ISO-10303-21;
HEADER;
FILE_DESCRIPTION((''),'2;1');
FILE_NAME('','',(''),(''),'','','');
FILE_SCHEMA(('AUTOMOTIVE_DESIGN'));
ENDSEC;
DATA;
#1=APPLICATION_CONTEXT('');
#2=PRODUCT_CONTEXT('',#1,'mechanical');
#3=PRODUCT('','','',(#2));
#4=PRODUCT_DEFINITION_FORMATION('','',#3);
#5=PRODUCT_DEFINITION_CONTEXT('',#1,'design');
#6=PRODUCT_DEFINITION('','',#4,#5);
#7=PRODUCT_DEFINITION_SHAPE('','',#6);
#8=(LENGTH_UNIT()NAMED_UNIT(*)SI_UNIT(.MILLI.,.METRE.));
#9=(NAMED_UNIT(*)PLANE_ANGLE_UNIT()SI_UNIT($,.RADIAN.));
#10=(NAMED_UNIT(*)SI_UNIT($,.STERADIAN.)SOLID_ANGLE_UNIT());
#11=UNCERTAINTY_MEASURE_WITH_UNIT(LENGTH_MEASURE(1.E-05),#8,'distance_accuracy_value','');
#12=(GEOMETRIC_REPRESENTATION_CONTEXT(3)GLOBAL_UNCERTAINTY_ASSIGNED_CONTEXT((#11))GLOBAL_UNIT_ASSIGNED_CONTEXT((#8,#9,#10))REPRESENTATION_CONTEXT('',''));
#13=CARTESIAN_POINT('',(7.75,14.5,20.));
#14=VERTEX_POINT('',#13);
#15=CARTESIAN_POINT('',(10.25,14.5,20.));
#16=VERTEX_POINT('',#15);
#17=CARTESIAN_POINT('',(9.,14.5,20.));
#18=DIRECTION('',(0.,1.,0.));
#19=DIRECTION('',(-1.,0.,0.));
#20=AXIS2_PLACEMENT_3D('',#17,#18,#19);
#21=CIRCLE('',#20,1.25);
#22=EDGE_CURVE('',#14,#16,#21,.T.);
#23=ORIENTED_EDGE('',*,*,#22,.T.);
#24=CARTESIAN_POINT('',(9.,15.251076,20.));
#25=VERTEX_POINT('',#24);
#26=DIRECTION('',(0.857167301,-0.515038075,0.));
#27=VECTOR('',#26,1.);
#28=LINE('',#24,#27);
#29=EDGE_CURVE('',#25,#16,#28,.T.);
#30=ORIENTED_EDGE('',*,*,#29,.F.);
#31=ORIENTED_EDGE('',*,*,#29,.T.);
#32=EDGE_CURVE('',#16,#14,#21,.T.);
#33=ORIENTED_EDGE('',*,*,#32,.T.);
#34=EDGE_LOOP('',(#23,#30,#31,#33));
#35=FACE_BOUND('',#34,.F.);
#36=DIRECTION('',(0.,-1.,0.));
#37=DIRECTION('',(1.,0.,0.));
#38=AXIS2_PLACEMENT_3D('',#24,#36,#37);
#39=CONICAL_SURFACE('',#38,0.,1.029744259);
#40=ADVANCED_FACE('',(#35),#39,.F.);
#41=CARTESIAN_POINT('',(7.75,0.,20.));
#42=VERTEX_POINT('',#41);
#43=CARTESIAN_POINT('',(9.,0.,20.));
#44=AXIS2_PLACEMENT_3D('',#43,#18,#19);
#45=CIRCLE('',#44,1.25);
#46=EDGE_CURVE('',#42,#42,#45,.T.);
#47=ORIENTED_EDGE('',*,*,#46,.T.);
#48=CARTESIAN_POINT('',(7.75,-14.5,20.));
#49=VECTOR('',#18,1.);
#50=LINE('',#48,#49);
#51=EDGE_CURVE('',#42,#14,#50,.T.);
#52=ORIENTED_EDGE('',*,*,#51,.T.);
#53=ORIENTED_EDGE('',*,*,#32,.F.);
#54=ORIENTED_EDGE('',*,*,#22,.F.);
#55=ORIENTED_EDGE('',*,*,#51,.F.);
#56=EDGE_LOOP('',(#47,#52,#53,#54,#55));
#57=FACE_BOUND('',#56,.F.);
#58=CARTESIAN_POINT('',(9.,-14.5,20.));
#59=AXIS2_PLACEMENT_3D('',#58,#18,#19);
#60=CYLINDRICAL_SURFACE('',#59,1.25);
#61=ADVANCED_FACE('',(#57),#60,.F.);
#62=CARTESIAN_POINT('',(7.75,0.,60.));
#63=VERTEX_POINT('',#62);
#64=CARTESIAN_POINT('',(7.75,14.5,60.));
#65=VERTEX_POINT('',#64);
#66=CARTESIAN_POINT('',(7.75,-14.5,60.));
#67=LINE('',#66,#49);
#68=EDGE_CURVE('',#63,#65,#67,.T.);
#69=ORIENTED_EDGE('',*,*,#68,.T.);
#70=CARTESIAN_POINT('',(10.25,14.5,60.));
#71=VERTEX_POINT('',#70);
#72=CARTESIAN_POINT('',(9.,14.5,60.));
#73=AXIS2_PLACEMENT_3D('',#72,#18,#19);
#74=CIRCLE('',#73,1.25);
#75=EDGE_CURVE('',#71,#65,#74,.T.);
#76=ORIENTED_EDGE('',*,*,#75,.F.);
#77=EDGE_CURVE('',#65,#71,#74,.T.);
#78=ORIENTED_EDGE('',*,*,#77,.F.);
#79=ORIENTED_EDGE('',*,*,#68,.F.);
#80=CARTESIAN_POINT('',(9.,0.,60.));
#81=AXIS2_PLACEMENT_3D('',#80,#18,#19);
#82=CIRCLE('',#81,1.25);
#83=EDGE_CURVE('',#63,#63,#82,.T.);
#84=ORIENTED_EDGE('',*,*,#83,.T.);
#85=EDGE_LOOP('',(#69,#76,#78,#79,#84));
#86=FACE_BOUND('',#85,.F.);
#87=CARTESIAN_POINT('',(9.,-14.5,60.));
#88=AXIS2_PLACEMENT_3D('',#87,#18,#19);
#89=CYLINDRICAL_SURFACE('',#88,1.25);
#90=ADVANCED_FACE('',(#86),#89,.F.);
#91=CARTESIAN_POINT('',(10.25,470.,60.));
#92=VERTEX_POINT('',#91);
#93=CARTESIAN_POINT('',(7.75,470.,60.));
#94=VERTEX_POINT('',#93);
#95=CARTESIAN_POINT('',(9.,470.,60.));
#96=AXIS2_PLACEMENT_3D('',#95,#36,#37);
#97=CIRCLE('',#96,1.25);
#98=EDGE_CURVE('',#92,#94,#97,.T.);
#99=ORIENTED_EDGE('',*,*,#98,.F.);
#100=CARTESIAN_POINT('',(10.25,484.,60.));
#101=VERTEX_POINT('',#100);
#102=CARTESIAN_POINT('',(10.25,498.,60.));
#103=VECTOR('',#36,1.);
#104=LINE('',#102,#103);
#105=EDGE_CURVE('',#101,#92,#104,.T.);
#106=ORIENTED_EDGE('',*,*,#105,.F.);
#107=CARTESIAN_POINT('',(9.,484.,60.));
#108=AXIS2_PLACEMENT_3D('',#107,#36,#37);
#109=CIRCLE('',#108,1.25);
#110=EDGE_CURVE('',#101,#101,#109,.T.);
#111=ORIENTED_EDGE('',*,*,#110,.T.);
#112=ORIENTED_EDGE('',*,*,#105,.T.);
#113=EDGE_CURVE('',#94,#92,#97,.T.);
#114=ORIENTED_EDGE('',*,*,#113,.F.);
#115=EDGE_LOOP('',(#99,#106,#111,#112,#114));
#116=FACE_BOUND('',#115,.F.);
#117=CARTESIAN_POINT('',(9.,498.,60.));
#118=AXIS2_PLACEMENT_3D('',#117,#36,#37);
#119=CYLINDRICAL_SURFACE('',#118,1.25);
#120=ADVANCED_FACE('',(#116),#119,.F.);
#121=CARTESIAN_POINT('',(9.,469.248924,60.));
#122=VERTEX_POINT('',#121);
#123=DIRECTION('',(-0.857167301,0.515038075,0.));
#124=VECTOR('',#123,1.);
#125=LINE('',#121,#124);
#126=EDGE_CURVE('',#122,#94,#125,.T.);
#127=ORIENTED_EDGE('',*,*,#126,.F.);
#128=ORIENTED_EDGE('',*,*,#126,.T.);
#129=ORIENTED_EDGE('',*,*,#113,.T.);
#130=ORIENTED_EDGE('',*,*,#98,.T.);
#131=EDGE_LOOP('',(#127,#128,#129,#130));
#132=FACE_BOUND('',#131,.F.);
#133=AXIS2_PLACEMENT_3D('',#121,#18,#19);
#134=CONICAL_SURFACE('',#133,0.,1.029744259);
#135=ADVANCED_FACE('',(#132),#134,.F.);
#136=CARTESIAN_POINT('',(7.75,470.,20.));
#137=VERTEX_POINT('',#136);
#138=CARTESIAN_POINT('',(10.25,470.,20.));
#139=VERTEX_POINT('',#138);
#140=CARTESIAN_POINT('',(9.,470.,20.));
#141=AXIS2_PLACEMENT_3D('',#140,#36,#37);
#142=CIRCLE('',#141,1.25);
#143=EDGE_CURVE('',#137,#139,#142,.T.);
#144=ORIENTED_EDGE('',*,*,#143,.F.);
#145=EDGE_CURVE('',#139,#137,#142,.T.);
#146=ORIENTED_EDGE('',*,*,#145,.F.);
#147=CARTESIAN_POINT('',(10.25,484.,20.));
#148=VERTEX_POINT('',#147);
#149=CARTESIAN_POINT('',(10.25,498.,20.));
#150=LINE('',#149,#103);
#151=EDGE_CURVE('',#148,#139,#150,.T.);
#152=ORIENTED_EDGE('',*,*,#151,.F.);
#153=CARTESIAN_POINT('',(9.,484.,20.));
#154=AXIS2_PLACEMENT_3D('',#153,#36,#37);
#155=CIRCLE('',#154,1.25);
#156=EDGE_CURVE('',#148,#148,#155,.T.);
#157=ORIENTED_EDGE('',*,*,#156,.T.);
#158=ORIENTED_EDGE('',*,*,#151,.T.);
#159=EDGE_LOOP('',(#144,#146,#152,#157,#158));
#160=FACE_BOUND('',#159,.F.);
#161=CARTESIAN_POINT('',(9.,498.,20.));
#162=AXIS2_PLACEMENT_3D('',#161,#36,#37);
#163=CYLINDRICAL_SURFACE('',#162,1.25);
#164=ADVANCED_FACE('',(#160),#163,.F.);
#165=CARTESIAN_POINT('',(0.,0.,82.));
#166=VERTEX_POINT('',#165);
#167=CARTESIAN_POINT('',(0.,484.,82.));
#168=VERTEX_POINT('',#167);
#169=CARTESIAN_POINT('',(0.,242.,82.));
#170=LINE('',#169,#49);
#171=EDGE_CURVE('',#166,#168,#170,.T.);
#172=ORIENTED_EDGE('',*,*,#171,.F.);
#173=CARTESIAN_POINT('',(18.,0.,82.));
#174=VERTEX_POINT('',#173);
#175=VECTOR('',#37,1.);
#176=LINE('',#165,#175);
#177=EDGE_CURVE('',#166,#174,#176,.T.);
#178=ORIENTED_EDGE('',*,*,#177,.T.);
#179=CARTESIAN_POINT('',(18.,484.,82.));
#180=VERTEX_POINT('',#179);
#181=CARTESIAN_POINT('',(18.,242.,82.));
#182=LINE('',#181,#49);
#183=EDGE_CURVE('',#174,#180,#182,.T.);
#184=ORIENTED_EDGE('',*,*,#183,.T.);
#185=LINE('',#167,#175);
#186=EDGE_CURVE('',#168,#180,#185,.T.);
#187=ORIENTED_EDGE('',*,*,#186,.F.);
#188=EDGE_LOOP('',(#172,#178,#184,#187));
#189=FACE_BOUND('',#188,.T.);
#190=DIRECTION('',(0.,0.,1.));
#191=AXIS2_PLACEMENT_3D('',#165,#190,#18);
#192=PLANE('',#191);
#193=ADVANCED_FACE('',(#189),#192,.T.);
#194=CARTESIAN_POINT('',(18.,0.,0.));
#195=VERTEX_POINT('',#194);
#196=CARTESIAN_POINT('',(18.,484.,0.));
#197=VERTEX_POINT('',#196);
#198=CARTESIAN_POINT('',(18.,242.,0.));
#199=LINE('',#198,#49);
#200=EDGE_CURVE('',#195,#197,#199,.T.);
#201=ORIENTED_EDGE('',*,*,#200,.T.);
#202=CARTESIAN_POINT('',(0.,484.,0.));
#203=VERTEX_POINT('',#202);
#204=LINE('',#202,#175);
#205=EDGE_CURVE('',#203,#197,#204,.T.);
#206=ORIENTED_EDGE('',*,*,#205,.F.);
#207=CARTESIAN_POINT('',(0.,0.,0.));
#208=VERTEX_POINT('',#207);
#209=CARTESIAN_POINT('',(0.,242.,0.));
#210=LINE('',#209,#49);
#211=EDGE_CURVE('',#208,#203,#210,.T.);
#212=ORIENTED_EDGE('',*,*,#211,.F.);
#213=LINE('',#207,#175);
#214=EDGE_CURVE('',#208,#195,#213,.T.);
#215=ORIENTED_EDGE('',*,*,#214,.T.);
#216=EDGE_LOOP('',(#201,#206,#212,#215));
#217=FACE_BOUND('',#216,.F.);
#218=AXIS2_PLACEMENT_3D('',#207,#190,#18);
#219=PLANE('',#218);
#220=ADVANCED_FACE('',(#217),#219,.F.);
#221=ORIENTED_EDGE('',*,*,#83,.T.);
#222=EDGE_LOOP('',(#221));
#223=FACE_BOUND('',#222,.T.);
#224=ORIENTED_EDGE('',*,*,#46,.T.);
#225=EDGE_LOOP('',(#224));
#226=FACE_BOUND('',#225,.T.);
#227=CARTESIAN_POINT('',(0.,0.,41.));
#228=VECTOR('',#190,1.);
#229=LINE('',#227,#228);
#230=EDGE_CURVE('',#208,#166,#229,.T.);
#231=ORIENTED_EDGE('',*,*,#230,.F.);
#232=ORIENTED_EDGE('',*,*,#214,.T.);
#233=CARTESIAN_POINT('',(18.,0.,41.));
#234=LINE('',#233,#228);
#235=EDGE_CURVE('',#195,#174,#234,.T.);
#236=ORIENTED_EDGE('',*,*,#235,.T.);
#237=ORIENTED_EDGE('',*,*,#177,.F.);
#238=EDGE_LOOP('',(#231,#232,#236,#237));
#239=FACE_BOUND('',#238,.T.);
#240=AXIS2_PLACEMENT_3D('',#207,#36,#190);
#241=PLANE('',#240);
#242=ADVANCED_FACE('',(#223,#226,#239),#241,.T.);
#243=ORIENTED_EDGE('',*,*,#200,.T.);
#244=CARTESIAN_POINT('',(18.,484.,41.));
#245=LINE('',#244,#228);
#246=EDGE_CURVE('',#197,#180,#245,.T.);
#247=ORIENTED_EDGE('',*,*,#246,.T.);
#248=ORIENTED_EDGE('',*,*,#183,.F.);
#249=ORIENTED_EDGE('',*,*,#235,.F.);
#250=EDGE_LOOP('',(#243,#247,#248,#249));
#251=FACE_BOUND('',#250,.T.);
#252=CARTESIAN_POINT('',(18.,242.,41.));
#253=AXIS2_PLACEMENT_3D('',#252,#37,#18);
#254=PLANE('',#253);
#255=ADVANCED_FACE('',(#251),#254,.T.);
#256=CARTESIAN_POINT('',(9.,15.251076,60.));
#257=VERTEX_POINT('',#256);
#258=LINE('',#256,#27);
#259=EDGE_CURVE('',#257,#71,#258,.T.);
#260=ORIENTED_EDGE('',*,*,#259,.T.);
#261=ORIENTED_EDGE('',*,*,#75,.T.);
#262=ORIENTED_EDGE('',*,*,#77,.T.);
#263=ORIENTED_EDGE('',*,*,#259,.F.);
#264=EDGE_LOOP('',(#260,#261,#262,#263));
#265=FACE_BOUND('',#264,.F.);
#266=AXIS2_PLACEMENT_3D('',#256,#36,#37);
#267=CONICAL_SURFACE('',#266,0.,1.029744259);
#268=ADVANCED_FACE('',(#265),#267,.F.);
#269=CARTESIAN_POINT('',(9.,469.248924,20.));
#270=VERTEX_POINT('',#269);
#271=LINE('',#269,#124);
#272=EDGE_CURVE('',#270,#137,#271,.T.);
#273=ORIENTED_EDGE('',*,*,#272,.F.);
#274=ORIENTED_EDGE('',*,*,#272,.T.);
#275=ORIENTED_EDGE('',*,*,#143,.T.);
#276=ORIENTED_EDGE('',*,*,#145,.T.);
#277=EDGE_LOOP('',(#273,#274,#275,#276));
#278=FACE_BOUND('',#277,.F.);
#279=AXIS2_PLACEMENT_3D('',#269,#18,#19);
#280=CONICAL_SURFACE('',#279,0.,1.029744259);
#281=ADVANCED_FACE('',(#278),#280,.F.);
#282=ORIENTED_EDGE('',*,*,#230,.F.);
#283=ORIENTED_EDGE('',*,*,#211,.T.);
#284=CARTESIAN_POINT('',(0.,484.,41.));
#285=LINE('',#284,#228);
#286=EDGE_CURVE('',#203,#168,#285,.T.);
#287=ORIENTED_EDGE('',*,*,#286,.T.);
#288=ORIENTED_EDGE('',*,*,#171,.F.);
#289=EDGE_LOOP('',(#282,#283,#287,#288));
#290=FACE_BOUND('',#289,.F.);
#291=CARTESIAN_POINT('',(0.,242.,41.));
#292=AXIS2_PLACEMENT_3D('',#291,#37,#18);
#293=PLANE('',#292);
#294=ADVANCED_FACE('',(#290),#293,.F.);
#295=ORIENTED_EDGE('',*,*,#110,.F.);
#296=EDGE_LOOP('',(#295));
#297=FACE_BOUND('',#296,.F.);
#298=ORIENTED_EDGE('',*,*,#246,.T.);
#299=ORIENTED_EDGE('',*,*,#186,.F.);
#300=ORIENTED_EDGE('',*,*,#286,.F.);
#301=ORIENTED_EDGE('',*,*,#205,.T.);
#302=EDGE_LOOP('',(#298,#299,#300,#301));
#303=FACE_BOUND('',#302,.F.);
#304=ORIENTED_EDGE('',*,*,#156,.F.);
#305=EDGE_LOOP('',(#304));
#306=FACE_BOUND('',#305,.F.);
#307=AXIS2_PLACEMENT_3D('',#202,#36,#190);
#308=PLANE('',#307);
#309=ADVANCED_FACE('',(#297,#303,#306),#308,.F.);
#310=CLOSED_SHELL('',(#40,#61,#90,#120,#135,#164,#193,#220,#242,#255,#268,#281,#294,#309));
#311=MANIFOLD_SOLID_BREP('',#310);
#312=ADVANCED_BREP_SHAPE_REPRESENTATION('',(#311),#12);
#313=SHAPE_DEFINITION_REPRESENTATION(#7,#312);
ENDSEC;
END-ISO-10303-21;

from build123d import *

# Parameters (mm, degrees)
F0_W     = 484
F0_H     = 82
F1_DEPTH = 18
F3_D     = 2.5
F3_DEPTH = 14.5
F3_TIP   = 0.7510757738
F5_D     = 2.5
F5_DEPTH = 14
F5_TIP   = 0.7510757738


with BuildPart() as f1:
    # F0 (on Right) → F1 (new body)
    with BuildSketch(Plane.YZ):
        with Locations((242, 41)):
            Rectangle(F0_W, F0_H)
    extrude(amount=F1_DEPTH)

    # F3
    with Locations(Plane.XZ):
        with Locations((9, 20), (9, 60)):
            Hole(F3_D / 2, depth=F3_DEPTH)
            with Locations((0, 0, -(F3_DEPTH + F3_TIP / 2))):  # 118° drill point
                Cone(0, F3_D / 2, F3_TIP, mode=Mode.SUBTRACT)

    # F5
    with Locations(Plane(origin=(0, 484, 0), x_dir=(-1, 0, 0), z_dir=(0, 1, 0))):
        with Locations((-9, 60), (-9, 20)):
            Hole(F5_D / 2, depth=F5_DEPTH)
            with Locations((0, 0, -(F5_DEPTH + F5_TIP / 2))):  # 118° drill point
                Cone(0, F5_D / 2, F5_TIP, mode=Mode.SUBTRACT)


solid = f1.part
